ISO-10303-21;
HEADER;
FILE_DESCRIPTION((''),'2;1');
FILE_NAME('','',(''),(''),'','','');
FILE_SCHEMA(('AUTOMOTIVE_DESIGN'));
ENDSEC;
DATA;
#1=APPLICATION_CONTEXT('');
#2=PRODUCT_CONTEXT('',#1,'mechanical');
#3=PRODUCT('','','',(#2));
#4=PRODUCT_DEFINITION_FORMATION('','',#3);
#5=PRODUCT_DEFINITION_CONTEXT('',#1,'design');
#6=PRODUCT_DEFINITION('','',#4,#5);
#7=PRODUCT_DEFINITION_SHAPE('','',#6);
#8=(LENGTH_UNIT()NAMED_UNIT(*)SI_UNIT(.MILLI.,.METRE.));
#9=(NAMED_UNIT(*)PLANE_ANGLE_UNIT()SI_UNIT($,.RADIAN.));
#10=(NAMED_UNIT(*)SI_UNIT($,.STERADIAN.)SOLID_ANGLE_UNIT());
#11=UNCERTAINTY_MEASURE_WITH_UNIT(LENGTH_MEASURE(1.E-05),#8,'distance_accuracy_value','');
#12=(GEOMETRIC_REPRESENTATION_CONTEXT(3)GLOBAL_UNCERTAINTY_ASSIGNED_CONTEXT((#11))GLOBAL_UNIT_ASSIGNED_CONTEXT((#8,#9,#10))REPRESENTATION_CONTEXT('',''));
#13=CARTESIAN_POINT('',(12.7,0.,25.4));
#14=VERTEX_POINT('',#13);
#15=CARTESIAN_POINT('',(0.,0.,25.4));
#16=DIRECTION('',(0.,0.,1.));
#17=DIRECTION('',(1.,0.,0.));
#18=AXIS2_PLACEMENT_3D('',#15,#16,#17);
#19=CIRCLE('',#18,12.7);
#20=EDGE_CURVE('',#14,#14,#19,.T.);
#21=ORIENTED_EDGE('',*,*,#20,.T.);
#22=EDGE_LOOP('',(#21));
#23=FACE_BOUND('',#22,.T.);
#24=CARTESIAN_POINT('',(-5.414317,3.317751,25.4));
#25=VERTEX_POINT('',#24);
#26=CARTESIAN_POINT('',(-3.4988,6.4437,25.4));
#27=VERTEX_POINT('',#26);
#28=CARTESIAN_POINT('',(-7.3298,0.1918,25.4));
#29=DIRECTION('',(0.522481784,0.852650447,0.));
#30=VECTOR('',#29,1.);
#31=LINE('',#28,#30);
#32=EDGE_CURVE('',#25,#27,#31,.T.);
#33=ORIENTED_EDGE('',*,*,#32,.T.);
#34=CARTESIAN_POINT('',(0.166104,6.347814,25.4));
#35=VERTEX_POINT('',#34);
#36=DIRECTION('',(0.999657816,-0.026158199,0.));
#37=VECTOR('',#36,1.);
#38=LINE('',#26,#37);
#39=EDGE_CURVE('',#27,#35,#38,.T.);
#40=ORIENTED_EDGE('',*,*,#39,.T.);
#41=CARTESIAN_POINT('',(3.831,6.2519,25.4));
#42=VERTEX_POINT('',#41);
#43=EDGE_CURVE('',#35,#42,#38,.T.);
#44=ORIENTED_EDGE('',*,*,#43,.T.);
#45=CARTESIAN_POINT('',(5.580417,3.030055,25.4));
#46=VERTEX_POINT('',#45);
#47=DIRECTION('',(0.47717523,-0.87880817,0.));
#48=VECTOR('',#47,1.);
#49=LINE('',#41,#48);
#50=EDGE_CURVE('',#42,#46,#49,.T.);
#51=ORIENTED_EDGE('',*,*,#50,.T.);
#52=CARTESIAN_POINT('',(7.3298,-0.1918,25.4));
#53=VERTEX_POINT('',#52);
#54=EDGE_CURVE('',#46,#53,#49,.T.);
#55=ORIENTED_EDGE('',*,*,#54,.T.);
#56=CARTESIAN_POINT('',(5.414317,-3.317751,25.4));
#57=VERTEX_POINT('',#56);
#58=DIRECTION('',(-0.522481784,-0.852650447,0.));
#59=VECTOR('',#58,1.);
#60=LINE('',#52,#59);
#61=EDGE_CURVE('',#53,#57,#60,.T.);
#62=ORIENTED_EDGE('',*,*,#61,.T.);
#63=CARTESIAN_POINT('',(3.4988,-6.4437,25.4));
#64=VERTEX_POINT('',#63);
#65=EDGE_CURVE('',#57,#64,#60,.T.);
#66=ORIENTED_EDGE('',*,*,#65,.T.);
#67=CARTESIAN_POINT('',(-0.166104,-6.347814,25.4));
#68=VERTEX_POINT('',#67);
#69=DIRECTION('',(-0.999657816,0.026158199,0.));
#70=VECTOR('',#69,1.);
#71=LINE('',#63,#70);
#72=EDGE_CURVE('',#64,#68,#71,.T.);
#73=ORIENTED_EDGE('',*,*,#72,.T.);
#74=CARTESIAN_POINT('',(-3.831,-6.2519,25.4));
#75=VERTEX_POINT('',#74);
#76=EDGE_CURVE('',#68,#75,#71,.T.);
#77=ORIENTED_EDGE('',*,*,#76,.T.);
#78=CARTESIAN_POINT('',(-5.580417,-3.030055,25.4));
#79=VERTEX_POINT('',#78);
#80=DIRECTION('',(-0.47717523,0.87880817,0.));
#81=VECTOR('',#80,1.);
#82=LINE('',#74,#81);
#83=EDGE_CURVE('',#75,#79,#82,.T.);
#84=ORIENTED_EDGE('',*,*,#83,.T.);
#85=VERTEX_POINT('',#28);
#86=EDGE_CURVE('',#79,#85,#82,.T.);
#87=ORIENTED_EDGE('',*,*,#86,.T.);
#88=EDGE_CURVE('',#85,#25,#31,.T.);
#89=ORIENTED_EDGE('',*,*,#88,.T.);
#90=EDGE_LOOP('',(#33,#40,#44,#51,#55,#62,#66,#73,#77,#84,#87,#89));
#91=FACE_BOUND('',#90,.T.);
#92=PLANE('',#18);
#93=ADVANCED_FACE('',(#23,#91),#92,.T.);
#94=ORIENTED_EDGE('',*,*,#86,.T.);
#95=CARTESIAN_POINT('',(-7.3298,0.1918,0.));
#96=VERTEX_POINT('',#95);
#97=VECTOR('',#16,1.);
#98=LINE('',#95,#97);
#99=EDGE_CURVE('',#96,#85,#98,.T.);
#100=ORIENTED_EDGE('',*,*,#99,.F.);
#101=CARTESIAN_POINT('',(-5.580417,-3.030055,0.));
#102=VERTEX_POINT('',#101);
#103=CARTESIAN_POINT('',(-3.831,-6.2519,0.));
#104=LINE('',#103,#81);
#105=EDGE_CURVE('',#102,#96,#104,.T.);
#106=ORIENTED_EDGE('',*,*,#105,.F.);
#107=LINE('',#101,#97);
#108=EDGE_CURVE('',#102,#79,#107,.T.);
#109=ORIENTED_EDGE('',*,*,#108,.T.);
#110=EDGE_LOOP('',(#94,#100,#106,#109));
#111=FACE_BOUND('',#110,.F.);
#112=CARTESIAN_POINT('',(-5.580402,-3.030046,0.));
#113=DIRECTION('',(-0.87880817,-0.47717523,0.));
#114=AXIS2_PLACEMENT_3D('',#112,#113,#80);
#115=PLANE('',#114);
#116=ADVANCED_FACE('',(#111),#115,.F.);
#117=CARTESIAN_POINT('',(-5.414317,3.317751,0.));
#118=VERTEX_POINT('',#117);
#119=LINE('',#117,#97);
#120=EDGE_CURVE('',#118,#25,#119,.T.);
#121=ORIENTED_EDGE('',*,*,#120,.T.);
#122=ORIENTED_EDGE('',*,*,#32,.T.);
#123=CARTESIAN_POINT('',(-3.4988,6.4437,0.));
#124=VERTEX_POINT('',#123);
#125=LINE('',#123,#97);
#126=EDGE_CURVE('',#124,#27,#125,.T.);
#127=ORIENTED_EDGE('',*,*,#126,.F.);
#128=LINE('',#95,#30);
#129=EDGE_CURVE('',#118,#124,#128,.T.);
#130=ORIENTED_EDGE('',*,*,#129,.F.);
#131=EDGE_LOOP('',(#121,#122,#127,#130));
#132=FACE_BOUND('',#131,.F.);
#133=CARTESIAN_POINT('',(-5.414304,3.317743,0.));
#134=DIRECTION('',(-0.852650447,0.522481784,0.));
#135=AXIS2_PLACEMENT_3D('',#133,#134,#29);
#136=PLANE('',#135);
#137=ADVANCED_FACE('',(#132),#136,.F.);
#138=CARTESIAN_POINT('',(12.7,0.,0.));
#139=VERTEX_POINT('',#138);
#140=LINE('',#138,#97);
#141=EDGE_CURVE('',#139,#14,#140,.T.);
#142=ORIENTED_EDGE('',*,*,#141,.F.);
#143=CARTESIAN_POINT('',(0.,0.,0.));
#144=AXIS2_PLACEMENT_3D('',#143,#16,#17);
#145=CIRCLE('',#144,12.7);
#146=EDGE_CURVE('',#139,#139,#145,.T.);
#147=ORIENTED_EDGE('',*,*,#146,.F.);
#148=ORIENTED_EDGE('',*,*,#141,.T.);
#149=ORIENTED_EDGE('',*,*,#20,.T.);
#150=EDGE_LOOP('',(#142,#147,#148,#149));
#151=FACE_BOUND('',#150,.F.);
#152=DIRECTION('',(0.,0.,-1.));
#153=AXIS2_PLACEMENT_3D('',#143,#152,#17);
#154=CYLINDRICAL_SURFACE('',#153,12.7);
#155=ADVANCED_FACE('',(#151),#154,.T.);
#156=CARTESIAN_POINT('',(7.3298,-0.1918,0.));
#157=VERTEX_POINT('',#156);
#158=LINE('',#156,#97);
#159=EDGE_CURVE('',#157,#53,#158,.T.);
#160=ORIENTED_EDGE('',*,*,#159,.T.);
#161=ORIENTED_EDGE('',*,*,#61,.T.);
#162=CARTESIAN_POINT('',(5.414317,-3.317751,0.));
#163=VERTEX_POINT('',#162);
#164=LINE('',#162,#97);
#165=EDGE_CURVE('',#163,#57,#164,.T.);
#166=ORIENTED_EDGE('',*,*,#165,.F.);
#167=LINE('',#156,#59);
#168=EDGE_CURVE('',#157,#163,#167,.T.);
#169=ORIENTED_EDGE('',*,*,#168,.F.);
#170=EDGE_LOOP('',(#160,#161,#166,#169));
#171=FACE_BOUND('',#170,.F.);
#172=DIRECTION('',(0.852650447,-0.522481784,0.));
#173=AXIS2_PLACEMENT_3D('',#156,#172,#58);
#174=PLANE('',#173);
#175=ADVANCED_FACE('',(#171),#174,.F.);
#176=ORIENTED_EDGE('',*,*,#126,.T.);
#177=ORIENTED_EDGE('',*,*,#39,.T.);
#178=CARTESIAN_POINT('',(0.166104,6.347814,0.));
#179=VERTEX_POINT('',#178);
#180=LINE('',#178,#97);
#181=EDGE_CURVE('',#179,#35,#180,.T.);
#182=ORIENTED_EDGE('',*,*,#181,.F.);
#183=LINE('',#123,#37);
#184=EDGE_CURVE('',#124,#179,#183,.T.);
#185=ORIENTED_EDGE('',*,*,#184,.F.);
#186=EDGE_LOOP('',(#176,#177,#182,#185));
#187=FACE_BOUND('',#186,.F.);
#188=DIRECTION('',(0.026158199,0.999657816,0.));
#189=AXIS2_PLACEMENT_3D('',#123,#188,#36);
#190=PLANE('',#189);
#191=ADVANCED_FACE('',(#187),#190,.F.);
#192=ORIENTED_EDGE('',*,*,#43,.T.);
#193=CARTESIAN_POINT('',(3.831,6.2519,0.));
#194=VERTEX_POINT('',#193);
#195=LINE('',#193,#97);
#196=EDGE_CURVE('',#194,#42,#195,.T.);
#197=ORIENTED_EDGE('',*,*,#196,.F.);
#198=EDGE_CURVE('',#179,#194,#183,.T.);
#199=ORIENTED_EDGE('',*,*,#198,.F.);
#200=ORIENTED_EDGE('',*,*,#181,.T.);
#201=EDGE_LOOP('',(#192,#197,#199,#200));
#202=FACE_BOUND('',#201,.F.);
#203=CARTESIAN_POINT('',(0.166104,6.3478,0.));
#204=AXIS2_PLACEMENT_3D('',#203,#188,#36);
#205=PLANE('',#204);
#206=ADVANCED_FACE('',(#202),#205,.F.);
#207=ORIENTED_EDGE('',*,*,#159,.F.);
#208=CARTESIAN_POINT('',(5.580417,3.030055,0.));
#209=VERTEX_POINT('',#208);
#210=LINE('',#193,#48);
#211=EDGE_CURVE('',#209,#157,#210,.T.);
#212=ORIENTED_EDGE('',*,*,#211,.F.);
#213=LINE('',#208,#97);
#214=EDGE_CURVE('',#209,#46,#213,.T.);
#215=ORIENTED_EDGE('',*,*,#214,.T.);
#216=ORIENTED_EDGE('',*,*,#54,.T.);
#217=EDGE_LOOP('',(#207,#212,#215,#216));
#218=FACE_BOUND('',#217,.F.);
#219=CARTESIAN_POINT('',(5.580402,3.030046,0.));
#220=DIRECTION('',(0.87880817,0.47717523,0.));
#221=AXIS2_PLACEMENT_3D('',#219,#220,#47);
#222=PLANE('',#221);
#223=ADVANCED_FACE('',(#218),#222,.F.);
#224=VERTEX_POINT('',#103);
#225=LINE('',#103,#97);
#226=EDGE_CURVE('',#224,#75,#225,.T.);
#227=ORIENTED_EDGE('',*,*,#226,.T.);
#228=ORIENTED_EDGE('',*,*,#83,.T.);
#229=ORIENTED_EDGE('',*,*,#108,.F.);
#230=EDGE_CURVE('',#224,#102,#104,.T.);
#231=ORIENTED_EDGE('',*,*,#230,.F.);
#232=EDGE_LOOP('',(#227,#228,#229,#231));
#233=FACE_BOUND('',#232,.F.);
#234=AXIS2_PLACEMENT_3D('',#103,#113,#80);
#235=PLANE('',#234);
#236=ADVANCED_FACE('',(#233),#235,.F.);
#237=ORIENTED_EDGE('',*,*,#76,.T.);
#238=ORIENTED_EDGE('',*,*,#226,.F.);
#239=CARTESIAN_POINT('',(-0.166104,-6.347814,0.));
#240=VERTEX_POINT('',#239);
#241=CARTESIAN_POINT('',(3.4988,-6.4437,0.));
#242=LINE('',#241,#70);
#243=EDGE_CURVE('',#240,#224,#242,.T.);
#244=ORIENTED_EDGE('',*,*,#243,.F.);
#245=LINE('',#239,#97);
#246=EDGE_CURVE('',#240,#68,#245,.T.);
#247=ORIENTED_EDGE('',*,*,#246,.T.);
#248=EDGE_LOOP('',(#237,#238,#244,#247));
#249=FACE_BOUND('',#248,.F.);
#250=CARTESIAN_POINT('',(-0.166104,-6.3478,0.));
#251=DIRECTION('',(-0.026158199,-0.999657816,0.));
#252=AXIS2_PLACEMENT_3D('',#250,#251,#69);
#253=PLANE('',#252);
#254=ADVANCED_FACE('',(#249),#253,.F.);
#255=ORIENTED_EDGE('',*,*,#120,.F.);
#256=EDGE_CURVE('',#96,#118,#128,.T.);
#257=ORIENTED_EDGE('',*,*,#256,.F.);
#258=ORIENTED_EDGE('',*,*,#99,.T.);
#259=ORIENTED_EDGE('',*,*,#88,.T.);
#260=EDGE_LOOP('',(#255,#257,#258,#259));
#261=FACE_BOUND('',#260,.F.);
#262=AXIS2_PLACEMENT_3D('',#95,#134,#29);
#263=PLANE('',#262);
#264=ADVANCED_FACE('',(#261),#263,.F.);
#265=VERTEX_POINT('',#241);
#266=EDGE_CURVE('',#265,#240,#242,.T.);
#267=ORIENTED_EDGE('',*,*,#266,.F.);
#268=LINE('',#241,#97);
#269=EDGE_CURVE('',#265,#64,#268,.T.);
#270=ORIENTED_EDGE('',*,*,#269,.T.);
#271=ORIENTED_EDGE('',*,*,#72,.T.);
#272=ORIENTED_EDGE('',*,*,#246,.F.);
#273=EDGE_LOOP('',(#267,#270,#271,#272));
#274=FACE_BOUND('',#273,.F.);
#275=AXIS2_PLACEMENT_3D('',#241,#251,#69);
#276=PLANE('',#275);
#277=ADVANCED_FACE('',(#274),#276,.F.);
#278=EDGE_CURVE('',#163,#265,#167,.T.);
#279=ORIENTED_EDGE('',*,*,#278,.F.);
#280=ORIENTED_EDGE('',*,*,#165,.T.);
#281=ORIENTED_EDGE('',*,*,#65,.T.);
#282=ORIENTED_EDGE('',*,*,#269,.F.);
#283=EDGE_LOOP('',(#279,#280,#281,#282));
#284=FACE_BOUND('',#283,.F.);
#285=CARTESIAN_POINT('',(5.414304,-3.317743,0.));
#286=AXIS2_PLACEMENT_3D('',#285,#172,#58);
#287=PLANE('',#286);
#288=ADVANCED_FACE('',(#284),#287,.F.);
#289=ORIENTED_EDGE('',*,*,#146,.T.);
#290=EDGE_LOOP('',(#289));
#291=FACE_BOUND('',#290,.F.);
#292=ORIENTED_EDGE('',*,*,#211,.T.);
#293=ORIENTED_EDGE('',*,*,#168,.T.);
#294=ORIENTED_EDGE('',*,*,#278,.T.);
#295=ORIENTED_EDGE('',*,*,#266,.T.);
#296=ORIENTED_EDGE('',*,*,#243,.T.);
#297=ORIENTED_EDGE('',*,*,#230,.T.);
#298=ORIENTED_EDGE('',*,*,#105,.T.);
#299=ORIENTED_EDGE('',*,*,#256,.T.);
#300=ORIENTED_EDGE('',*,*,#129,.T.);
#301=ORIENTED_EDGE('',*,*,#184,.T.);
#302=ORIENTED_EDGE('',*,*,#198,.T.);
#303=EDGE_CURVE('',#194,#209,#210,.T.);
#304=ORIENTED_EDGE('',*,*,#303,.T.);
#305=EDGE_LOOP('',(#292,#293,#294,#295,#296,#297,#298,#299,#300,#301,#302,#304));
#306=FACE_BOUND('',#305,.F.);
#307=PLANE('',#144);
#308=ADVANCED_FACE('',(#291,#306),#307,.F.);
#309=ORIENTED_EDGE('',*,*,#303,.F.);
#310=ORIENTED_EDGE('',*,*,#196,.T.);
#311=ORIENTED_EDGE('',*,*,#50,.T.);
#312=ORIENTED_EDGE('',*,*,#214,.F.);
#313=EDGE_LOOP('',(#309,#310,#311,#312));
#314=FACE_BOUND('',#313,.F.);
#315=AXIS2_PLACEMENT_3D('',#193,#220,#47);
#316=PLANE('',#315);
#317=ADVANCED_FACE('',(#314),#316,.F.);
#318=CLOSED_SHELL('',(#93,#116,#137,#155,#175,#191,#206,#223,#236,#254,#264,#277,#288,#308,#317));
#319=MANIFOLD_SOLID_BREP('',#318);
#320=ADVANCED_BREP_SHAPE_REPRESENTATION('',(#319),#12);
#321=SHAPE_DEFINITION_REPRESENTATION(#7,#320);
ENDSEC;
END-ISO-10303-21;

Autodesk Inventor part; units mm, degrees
ref_plane "YZ Plane" through (0, 0, 0) normal (1, 0, 0) x (0, 1, 0)
ref_plane "XZ Plane" through (0, 0, 0) normal (0, 1, 0) x (-1, 0, 0)
ref_plane "XY Plane" through (0, 0, 0) normal (0, 0, 1) x (1, 0, 0)
sketch "Sketch1" plane through (0, 0, 0) normal (0, 0, 1) x (1, 0, 0)
  circle A0 centre (0, 0) radius 6.35
  line L0 (7.3298, -0.1918) -> (3.4988, -6.4437)
  line L1 (3.4988, -6.4437) -> (-3.831, -6.2519)
  line L2 (-3.831, -6.2519) -> (-7.3298, 0.1918)
  line L3 (-7.3298, 0.1918) -> (-3.4988, 6.4437)
  line L4 (-3.4988, 6.4437) -> (3.831, 6.2519)
  line L5 (3.831, 6.2519) -> (7.3298, -0.1918)
  circle A1 centre (0, 0) radius 12.7
  point P0 (5.5804, 3.0301)
  dimension "d0" = 12.7
  dimension "d1" = 25.4
extrude "Extrusion1" add sketch "Sketch1" along normal blind 25.4
properties part number "4-bar intake (1'') spacer"
